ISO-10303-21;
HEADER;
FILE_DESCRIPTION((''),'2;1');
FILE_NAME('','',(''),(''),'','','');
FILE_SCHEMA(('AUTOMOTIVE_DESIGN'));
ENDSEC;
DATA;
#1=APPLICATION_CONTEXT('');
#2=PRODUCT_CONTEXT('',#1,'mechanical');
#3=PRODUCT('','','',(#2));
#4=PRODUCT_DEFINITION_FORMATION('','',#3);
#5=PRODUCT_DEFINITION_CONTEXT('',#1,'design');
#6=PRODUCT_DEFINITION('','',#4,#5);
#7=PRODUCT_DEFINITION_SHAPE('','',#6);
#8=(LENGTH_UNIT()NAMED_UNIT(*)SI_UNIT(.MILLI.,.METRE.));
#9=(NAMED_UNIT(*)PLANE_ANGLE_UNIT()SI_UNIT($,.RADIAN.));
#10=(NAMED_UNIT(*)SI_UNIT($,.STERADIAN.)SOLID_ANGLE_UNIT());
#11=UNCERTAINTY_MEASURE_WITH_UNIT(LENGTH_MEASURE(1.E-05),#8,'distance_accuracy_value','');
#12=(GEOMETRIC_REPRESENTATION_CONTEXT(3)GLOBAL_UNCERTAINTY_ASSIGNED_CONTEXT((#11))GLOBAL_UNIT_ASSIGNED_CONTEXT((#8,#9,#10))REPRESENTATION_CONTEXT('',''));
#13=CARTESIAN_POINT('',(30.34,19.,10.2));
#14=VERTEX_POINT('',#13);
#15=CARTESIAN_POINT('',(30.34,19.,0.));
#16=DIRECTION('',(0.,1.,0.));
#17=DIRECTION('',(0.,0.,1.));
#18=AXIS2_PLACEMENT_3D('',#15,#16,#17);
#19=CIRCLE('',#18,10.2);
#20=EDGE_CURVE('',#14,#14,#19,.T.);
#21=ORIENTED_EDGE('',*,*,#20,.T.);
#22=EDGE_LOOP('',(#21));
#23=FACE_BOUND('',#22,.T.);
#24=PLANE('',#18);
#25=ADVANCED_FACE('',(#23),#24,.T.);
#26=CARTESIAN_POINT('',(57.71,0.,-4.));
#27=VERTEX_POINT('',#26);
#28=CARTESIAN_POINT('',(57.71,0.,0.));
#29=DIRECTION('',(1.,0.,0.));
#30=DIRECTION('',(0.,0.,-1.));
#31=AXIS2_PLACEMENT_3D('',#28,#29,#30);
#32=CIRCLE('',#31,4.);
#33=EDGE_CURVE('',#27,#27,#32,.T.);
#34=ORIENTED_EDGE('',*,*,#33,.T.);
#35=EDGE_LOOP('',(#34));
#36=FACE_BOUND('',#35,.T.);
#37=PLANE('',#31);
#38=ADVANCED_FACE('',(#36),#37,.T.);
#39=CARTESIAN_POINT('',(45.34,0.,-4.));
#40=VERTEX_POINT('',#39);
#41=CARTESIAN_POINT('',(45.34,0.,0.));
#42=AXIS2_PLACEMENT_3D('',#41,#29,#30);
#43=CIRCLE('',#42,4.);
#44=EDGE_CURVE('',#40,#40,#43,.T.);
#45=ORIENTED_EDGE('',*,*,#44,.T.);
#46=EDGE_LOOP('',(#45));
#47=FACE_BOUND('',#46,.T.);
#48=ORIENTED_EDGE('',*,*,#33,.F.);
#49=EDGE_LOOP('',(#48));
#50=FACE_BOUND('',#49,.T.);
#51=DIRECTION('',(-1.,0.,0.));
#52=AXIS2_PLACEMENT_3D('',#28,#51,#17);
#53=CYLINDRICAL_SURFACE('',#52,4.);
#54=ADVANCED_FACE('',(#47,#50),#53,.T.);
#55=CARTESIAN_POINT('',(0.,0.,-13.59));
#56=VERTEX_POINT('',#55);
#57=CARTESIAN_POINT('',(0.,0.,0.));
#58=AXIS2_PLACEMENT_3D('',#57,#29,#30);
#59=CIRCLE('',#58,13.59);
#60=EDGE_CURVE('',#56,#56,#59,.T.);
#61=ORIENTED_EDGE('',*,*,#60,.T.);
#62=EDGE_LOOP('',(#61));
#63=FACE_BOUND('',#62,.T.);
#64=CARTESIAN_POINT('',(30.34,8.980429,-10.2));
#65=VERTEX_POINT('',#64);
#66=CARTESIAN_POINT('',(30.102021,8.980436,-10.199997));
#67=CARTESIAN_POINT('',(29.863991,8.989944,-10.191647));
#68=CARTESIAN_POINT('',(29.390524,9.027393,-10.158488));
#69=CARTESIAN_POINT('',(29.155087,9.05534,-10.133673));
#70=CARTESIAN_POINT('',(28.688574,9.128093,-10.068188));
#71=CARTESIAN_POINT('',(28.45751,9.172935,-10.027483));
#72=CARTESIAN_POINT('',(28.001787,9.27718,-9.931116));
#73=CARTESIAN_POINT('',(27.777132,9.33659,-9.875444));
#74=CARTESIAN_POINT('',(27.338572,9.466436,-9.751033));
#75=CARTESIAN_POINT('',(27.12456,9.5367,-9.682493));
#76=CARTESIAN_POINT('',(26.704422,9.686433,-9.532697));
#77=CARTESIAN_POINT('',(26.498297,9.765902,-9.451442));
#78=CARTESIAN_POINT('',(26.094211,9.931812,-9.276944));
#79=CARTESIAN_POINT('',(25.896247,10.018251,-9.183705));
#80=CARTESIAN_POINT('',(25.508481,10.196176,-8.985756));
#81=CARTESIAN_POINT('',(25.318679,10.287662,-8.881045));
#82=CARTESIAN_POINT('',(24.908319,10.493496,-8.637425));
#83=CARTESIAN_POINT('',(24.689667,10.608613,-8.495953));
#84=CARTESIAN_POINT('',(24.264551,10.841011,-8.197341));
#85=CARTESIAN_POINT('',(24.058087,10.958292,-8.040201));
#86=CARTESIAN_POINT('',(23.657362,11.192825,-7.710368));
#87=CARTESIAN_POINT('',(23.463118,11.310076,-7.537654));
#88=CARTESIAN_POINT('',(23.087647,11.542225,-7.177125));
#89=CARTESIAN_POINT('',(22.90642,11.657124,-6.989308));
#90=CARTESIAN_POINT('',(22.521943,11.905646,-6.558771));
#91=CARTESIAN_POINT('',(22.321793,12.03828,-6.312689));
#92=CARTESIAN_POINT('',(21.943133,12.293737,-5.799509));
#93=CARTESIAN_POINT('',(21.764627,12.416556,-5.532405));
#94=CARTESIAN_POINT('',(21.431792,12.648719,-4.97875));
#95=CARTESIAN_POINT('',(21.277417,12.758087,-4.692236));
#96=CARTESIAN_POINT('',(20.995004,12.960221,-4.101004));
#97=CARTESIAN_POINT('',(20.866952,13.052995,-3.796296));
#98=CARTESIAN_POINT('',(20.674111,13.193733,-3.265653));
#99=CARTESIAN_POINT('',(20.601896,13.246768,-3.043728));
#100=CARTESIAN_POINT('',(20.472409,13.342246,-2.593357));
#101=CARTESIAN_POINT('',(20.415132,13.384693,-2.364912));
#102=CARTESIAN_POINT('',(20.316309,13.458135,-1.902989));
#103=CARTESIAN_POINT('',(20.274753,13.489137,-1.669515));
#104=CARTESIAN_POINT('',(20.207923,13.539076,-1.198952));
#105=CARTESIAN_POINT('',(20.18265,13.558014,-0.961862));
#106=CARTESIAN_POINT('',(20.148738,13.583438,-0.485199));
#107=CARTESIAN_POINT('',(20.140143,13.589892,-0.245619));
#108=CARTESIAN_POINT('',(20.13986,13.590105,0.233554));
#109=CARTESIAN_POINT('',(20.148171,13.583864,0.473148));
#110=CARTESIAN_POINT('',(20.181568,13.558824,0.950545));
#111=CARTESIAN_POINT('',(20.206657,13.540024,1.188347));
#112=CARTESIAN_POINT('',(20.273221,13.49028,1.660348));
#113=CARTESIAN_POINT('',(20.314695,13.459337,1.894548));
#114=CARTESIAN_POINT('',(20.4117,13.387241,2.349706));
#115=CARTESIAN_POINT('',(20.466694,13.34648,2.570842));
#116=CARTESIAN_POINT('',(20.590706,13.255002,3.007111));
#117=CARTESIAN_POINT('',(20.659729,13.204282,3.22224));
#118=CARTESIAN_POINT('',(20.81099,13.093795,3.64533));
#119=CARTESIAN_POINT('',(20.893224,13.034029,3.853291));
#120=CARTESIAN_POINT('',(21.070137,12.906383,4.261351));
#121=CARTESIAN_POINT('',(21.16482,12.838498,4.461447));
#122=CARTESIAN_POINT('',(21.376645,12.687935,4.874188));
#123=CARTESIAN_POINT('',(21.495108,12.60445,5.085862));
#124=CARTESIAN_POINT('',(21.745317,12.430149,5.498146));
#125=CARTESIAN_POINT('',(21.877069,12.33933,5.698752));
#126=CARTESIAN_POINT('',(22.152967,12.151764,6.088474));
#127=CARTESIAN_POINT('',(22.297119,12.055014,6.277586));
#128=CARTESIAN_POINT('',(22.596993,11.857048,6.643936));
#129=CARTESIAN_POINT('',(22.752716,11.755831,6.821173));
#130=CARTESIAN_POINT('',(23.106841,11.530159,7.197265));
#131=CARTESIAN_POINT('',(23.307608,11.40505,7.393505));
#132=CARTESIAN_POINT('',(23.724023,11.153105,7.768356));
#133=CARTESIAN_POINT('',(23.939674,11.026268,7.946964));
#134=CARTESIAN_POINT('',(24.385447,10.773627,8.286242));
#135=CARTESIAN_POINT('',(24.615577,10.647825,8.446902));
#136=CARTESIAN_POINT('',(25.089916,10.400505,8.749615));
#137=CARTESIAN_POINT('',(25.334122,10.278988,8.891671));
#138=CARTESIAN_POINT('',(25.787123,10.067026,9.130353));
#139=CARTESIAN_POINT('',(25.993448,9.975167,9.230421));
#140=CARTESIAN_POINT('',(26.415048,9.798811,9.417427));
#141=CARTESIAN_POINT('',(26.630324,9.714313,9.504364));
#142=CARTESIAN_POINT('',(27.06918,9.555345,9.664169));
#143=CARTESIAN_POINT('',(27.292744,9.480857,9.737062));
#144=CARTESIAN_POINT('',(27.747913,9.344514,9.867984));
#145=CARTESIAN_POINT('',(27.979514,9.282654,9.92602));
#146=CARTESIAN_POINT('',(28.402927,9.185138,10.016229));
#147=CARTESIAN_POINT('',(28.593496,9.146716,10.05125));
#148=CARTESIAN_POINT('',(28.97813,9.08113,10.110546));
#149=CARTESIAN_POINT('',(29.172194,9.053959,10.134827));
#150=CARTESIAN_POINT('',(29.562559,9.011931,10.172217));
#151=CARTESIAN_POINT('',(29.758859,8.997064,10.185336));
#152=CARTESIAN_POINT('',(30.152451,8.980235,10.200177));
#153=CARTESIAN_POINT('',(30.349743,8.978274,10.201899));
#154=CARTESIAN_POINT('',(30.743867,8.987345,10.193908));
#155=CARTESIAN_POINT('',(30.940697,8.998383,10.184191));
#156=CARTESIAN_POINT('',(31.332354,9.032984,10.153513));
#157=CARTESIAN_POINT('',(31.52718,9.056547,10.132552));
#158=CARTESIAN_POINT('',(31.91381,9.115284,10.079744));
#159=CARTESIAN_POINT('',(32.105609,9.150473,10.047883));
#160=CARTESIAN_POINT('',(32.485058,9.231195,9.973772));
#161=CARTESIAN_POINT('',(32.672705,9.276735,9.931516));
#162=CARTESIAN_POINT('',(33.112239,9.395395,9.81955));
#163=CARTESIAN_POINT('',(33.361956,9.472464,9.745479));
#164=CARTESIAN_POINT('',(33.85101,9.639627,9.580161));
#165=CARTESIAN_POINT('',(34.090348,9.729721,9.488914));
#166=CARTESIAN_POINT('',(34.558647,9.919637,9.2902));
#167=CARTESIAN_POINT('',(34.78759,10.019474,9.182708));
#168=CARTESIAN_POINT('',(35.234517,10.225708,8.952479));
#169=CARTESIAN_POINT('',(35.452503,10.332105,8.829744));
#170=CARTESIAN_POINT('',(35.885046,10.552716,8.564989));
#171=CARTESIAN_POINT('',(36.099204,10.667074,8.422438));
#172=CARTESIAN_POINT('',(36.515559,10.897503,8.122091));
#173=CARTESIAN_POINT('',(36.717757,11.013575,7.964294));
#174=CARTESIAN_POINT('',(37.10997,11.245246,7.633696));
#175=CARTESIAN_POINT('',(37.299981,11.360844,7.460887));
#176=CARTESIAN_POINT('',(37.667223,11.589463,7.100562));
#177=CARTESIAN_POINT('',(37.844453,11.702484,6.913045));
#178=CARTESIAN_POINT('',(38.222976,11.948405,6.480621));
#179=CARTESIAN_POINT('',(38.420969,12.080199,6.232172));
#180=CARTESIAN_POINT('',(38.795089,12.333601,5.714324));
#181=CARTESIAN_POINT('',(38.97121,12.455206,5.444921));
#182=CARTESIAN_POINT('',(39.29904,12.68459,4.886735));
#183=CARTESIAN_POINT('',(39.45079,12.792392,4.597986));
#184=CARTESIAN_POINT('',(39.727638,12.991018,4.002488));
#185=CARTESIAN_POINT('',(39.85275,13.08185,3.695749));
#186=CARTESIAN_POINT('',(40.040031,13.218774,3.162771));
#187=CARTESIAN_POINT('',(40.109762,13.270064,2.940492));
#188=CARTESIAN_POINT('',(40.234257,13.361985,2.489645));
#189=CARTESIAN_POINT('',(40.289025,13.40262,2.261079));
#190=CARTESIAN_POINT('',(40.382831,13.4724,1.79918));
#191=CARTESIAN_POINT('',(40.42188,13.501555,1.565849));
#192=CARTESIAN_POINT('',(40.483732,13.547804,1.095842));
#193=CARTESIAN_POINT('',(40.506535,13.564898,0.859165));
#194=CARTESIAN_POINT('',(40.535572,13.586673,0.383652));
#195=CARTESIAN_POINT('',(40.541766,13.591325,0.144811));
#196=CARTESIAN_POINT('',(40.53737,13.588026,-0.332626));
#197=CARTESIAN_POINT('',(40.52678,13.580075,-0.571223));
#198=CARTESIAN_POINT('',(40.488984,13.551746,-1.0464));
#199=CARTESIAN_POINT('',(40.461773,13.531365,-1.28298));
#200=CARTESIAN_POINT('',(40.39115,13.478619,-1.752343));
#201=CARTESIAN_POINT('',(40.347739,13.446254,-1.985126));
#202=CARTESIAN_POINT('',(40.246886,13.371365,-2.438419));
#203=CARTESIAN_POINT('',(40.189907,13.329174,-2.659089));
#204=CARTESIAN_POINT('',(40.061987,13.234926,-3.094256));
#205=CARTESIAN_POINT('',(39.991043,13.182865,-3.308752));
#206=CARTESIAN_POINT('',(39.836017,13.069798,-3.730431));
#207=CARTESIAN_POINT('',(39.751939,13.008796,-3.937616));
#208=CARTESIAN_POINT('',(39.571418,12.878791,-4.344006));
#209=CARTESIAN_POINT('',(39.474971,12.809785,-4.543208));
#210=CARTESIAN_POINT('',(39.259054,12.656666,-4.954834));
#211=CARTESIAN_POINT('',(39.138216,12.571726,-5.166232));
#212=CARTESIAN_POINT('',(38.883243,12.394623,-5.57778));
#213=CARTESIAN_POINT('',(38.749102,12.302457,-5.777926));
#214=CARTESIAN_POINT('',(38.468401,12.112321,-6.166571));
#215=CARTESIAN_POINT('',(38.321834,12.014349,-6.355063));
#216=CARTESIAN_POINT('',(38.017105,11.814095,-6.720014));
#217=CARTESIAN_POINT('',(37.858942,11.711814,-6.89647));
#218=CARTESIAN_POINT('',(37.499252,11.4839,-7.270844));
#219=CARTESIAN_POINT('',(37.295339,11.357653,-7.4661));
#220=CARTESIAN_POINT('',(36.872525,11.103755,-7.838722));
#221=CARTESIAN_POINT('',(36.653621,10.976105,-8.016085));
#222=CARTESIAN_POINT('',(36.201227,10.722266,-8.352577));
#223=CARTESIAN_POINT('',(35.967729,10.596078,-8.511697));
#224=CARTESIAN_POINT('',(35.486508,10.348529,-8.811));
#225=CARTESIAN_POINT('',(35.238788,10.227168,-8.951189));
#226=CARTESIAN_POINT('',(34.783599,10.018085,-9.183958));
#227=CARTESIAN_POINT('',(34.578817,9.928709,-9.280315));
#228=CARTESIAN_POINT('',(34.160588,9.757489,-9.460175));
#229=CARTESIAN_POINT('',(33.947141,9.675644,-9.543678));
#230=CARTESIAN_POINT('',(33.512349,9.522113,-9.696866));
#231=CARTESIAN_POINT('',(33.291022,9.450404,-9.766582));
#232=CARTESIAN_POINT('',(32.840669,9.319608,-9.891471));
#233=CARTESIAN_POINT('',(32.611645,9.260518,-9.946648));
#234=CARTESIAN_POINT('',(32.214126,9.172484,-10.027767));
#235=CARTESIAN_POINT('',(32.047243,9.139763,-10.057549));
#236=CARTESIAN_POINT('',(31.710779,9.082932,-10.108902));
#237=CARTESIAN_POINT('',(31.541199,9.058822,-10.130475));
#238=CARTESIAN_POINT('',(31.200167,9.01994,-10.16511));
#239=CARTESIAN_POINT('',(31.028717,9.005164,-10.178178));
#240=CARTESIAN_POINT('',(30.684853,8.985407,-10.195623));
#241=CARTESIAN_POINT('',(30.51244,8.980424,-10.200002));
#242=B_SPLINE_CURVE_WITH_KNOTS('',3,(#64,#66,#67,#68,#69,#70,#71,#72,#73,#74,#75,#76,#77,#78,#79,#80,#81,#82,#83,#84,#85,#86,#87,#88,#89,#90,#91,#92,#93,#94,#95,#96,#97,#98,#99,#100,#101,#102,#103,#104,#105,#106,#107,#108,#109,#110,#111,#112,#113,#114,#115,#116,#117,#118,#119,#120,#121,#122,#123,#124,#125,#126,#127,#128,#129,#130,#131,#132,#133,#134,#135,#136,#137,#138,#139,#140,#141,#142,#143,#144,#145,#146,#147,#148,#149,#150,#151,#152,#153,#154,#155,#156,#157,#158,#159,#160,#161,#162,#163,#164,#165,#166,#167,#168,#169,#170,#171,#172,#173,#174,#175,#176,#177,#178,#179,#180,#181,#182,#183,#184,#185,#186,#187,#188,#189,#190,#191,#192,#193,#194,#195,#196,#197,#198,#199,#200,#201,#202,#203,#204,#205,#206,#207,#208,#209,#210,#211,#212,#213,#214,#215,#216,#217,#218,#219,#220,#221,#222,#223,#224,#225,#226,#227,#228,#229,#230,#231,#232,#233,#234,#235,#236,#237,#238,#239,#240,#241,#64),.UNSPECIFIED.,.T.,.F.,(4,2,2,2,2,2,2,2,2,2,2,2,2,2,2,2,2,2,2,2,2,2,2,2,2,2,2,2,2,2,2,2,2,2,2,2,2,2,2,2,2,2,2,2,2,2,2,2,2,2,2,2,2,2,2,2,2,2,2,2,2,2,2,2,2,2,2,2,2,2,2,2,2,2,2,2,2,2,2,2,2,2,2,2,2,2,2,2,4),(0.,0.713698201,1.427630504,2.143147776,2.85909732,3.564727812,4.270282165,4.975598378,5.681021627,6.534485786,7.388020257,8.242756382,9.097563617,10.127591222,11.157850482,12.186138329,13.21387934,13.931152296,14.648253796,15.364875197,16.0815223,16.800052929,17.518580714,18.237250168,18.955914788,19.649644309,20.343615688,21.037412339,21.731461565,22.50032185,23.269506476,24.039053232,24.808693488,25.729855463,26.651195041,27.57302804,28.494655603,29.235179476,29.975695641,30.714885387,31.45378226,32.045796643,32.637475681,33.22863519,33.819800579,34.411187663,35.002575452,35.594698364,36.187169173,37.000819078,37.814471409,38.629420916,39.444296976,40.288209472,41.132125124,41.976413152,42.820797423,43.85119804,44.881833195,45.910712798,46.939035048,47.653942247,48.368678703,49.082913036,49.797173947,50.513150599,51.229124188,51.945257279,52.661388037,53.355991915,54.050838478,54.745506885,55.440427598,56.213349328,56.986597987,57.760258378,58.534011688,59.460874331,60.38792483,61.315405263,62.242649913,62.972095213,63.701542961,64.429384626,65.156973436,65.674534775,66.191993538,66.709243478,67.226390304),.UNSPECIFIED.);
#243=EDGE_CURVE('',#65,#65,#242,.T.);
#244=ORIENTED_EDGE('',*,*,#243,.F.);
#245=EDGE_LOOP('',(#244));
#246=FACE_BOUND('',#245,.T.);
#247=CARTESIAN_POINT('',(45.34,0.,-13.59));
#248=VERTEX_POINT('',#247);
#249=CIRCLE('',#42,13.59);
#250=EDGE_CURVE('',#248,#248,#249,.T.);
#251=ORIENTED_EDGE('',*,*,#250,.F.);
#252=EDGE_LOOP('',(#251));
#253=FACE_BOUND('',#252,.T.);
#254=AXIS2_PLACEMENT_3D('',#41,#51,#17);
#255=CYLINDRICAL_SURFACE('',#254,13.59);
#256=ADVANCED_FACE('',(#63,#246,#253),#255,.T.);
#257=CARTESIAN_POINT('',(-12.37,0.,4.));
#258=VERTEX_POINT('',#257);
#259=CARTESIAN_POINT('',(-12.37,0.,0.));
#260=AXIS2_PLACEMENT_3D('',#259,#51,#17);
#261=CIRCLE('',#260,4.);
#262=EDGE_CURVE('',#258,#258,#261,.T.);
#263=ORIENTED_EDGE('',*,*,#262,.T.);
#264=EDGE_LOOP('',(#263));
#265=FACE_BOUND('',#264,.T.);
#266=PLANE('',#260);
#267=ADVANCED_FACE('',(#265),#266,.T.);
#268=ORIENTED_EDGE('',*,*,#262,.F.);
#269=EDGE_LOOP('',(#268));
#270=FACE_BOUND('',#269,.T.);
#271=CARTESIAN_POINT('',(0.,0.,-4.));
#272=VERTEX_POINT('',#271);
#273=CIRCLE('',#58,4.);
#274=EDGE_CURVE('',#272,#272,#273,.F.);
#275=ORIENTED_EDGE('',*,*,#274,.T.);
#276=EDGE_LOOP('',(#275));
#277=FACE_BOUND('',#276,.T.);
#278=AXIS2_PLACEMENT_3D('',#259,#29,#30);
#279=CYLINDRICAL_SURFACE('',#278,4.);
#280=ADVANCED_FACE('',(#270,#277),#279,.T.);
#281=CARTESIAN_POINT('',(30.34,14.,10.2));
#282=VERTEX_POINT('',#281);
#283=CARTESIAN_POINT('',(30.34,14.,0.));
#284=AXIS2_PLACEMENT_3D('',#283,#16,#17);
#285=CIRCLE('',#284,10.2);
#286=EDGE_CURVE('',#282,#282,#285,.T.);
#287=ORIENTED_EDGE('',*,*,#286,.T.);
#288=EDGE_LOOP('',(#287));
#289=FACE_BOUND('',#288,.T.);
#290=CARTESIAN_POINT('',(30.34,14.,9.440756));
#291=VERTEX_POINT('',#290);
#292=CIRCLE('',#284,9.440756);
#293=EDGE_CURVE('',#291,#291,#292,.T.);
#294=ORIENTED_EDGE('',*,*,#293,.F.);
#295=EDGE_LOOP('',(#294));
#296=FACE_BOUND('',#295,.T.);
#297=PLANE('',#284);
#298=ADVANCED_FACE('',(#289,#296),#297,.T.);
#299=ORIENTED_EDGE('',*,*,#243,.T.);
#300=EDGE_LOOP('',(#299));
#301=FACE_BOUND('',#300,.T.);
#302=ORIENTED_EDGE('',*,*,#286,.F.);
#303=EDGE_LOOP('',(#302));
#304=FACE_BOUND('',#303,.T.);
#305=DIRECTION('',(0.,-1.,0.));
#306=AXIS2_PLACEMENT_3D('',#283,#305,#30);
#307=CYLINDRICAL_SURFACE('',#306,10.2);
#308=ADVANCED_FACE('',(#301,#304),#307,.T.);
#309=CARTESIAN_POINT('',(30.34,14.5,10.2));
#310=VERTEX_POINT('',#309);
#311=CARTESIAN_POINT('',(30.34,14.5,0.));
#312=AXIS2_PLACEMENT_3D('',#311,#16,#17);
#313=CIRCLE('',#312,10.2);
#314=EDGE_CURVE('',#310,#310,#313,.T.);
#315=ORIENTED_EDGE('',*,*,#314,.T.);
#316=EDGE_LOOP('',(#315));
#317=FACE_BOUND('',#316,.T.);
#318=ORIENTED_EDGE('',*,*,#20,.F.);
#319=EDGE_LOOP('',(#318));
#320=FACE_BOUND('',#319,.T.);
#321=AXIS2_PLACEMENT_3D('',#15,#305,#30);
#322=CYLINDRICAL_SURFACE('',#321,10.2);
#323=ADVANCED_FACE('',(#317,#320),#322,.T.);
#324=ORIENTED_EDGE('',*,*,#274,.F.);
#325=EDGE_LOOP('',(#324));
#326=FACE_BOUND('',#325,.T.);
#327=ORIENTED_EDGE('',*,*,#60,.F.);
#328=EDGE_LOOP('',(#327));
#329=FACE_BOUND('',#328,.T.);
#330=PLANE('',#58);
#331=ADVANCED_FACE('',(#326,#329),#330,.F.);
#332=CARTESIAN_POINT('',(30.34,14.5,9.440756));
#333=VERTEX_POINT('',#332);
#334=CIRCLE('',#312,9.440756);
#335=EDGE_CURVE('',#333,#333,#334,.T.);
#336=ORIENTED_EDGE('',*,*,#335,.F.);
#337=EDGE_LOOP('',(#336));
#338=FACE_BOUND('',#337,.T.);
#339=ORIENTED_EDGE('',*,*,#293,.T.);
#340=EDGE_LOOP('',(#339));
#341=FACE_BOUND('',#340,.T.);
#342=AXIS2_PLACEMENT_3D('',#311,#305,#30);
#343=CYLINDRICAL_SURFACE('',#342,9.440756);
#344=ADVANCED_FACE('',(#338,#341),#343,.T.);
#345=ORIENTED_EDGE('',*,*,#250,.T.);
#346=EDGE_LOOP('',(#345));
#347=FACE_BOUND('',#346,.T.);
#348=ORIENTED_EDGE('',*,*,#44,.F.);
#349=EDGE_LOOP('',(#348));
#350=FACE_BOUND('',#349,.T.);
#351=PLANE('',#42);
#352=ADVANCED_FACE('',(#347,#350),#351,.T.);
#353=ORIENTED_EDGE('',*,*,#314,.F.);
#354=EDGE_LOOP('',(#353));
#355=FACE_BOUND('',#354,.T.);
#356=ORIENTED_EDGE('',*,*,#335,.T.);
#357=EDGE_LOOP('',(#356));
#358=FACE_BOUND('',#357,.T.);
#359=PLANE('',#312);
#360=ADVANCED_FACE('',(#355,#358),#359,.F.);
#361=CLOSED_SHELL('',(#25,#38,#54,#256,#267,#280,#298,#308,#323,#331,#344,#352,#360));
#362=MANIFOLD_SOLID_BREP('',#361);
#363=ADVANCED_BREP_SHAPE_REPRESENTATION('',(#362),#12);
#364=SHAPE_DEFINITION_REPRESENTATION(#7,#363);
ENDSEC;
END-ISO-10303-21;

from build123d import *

# Parameters (mm, degrees)
CROQUIS1_R              = 13.59
SALIENTE_EXTRUIR1_DEPTH = 45.34
CROQUIS2_R              = 4
SALIENTE_EXTRUIR2_DEPTH = 12.37
SALIENTE_EXTRUIR3_START = 12.37
CROQUIS3_R              = 4
SALIENTE_EXTRUIR3_DEPTH = 12.37
CROQUIS4_R              = 10.2
SALIENTE_EXTRUIR4_DEPTH = 14
CROQUIS5_R              = 9.44075635
SALIENTE_EXTRUIR5_DEPTH = 0.5
CROQUIS6_R              = 10.2
SALIENTE_EXTRUIR6_DEPTH = 4.5


with BuildPart() as part:
    # Croquis1 → Saliente-Extruir1 (new body)
    with BuildSketch(Plane(origin=(0, 0, 0), x_dir=(0, 0, -1), z_dir=(1, 0, 0))):
        with Locations(Location((0, 0, 0), (0, 0, 180))):
            Circle(CROQUIS1_R)
    extrude(amount=SALIENTE_EXTRUIR1_DEPTH)

    # Croquis2 → Saliente-Extruir2 (add)
    with BuildSketch(Plane(origin=(45.34, 0, 0), x_dir=(0, 0, -1), z_dir=(1, 0, 0))):
        Circle(CROQUIS2_R)
    extrude(amount=SALIENTE_EXTRUIR2_DEPTH)

    # Croquis3 → Saliente-Extruir3 (add)
    with BuildSketch(Plane.ZY.offset(SALIENTE_EXTRUIR3_START)):
        with Locations(Location((0, 0, 0), (0, 0, 180))):
            Circle(CROQUIS3_R)
    extrude(amount=-SALIENTE_EXTRUIR3_DEPTH)

    # Croquis4 → Saliente-Extruir4 (add)
    with BuildSketch(Plane(origin=(0, 0, 0), x_dir=(1, 0, 0), z_dir=(0, 1, 0))):
        with Locations(Location((30.34, 0, 0), (0, 0, 90))):
            Circle(CROQUIS4_R)
    extrude(amount=SALIENTE_EXTRUIR4_DEPTH)

    # Croquis5 → Saliente-Extruir5 (add)
    with BuildSketch(Plane(origin=(0, 14, 0), x_dir=(1, 0, 0), z_dir=(0, 1, 0))):
        with Locations(Location((30.34, 0, 0), (0, 0, 270))):
            Circle(CROQUIS5_R)
    extrude(amount=SALIENTE_EXTRUIR5_DEPTH)

    # Croquis6 → Saliente-Extruir6 (add)
    with BuildSketch(Plane(origin=(0, 14.5, 0), x_dir=(1, 0, 0), z_dir=(0, 1, 0))):
        with Locations(Location((30.34, 0, 0), (0, 0, 90))):
            Circle(CROQUIS6_R)
    extrude(amount=SALIENTE_EXTRUIR6_DEPTH)


solid = part.part
